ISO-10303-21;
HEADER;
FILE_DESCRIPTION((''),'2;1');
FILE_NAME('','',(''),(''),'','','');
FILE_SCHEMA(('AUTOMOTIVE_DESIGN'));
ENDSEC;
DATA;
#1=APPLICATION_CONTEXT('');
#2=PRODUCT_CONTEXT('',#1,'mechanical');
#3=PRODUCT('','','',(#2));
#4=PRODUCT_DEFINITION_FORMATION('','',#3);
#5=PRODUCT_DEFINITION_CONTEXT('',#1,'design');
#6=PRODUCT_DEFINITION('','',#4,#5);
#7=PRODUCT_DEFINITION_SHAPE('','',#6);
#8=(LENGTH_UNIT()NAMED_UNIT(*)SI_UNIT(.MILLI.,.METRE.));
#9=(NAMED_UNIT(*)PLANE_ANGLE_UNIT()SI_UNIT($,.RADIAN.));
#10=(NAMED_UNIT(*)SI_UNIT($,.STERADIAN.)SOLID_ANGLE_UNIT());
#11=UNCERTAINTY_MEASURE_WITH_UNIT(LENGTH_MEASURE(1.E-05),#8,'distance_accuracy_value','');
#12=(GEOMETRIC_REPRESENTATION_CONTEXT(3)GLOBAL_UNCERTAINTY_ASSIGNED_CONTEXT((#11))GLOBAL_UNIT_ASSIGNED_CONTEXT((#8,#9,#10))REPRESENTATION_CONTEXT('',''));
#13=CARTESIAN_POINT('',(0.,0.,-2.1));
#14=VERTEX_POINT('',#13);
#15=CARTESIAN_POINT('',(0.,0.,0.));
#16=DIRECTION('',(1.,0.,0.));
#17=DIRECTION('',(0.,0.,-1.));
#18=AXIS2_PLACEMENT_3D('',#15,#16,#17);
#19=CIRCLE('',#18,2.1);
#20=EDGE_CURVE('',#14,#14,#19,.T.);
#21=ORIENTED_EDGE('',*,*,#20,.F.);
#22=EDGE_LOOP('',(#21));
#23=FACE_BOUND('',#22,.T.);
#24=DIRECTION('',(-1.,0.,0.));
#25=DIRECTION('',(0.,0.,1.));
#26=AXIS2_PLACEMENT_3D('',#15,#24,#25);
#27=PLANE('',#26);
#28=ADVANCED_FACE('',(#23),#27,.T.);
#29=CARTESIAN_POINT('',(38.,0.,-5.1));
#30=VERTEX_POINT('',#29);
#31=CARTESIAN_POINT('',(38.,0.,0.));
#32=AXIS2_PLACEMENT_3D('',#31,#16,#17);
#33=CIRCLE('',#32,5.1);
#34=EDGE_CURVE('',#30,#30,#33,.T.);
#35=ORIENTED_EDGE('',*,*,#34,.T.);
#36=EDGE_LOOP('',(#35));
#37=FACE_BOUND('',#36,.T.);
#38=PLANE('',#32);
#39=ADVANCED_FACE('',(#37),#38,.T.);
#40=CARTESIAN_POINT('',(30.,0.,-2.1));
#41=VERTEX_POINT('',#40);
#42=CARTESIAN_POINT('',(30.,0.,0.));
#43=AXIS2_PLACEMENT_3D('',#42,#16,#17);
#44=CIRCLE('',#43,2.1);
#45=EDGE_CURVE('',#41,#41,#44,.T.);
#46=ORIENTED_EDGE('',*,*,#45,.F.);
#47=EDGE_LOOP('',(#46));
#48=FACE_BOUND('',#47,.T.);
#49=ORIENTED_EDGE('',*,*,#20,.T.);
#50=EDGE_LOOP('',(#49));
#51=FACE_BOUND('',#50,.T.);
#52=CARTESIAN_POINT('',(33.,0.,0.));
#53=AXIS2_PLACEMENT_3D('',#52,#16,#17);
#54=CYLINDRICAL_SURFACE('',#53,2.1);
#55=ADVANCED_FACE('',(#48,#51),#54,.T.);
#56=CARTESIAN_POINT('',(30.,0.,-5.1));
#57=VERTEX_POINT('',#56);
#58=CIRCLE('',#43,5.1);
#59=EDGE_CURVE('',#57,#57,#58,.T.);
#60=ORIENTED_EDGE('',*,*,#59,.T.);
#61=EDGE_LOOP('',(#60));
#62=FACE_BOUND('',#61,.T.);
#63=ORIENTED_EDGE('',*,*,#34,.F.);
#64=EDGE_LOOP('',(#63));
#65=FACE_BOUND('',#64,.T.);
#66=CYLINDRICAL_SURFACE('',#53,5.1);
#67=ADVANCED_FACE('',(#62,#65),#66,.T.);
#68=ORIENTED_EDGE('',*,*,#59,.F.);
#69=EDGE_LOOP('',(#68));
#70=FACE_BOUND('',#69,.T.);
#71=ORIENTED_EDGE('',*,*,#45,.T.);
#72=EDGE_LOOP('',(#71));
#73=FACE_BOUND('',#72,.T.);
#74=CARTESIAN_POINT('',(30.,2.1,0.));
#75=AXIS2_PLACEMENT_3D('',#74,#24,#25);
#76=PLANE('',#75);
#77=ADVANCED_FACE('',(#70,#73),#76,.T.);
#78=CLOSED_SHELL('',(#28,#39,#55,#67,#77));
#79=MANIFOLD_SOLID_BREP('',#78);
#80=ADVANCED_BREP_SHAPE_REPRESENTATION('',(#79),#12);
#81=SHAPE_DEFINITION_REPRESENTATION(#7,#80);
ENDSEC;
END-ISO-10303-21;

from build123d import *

# Parameters (mm, degrees)
BOSS_EXTRUDE1_START = 5
SKETCH2_R           = 5.1
BOSS_EXTRUDE1_DEPTH = 5


with BuildPart() as part:
    # Sketch1 → Revolve1 (revolve)
    with BuildSketch(Plane.XY, mode=Mode.PRIVATE) as revolve1_sk:
        Polygon((0, 0), (0, 2.1), (30, 2.1), (30, 5.1), (33, 5.1), (33, 0), align=None)
    revolve(revolve1_sk.sketch.rotate(Axis((33, 0, 0), (-1, 0, 0)), 90), axis=Axis((33, 0, 0), (-1, 0, 0)))

    # Sketch2 → Boss-Extrude1 (add)
    with BuildSketch(Plane(origin=(33, 0, 0), x_dir=(0, 0, -1), z_dir=(1, 0, 0)).offset(BOSS_EXTRUDE1_START)):
        Circle(SKETCH2_R)
    extrude(amount=-BOSS_EXTRUDE1_DEPTH)


solid = part.part
